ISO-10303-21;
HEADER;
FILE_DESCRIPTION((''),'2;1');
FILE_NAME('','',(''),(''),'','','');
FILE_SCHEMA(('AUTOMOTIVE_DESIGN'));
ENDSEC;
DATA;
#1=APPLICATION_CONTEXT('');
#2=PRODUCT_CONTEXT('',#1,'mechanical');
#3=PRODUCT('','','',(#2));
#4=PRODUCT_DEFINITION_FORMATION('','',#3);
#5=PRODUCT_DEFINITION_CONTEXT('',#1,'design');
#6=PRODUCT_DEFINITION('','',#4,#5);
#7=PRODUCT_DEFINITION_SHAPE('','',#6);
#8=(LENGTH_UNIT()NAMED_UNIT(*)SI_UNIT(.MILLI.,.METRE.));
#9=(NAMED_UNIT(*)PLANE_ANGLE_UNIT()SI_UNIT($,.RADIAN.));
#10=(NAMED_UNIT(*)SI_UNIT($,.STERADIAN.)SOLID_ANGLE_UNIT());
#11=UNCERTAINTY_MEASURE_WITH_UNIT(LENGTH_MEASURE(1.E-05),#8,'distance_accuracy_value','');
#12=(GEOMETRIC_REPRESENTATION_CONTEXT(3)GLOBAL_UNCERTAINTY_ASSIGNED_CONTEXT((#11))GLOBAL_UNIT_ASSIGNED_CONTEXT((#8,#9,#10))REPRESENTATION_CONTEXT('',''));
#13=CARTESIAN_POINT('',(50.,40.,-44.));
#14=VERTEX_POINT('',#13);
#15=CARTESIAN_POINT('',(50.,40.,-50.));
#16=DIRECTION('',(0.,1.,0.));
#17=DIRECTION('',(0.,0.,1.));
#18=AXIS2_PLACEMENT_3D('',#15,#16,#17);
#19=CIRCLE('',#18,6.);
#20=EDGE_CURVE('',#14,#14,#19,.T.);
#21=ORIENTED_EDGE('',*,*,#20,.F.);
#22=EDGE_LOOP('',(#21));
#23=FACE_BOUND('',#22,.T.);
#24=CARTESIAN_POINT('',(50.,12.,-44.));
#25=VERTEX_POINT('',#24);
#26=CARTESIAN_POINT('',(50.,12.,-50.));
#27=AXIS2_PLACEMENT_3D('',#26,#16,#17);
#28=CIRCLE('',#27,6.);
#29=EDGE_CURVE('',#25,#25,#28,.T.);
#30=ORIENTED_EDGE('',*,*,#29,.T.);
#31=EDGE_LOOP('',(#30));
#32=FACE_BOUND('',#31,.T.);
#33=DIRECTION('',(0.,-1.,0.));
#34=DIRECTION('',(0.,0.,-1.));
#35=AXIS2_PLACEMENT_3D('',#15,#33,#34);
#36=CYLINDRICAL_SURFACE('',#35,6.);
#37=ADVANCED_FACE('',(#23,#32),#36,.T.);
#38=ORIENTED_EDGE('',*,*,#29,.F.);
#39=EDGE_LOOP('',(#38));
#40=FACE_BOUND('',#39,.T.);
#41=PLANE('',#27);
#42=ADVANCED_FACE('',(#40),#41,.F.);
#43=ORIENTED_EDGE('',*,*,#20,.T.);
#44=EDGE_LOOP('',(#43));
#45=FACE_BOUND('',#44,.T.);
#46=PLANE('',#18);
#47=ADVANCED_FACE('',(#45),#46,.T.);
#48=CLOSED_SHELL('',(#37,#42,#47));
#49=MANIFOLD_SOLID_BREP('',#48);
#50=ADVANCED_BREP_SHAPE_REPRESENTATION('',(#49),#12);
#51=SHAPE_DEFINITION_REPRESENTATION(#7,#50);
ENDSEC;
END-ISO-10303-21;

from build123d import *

# Parameters (mm, degrees)
TOPPING_AYAR_MIL_1_START = 12
SKETCH1_R                = 6
TOPPING_AYAR_MIL_1_DEPTH = 28


with BuildPart() as part:
    # Sketch1 → TOPPING_ayar_mil_1 (new body)
    with BuildSketch(Plane(origin=(0, 0, 0), x_dir=(1, 0, 0), z_dir=(0, 1, 0)).offset(TOPPING_AYAR_MIL_1_START)):
        with Locations(Location((50, 50, 0), (0, 0, 270))):
            Circle(SKETCH1_R)
    extrude(amount=TOPPING_AYAR_MIL_1_DEPTH)


solid = part.part
